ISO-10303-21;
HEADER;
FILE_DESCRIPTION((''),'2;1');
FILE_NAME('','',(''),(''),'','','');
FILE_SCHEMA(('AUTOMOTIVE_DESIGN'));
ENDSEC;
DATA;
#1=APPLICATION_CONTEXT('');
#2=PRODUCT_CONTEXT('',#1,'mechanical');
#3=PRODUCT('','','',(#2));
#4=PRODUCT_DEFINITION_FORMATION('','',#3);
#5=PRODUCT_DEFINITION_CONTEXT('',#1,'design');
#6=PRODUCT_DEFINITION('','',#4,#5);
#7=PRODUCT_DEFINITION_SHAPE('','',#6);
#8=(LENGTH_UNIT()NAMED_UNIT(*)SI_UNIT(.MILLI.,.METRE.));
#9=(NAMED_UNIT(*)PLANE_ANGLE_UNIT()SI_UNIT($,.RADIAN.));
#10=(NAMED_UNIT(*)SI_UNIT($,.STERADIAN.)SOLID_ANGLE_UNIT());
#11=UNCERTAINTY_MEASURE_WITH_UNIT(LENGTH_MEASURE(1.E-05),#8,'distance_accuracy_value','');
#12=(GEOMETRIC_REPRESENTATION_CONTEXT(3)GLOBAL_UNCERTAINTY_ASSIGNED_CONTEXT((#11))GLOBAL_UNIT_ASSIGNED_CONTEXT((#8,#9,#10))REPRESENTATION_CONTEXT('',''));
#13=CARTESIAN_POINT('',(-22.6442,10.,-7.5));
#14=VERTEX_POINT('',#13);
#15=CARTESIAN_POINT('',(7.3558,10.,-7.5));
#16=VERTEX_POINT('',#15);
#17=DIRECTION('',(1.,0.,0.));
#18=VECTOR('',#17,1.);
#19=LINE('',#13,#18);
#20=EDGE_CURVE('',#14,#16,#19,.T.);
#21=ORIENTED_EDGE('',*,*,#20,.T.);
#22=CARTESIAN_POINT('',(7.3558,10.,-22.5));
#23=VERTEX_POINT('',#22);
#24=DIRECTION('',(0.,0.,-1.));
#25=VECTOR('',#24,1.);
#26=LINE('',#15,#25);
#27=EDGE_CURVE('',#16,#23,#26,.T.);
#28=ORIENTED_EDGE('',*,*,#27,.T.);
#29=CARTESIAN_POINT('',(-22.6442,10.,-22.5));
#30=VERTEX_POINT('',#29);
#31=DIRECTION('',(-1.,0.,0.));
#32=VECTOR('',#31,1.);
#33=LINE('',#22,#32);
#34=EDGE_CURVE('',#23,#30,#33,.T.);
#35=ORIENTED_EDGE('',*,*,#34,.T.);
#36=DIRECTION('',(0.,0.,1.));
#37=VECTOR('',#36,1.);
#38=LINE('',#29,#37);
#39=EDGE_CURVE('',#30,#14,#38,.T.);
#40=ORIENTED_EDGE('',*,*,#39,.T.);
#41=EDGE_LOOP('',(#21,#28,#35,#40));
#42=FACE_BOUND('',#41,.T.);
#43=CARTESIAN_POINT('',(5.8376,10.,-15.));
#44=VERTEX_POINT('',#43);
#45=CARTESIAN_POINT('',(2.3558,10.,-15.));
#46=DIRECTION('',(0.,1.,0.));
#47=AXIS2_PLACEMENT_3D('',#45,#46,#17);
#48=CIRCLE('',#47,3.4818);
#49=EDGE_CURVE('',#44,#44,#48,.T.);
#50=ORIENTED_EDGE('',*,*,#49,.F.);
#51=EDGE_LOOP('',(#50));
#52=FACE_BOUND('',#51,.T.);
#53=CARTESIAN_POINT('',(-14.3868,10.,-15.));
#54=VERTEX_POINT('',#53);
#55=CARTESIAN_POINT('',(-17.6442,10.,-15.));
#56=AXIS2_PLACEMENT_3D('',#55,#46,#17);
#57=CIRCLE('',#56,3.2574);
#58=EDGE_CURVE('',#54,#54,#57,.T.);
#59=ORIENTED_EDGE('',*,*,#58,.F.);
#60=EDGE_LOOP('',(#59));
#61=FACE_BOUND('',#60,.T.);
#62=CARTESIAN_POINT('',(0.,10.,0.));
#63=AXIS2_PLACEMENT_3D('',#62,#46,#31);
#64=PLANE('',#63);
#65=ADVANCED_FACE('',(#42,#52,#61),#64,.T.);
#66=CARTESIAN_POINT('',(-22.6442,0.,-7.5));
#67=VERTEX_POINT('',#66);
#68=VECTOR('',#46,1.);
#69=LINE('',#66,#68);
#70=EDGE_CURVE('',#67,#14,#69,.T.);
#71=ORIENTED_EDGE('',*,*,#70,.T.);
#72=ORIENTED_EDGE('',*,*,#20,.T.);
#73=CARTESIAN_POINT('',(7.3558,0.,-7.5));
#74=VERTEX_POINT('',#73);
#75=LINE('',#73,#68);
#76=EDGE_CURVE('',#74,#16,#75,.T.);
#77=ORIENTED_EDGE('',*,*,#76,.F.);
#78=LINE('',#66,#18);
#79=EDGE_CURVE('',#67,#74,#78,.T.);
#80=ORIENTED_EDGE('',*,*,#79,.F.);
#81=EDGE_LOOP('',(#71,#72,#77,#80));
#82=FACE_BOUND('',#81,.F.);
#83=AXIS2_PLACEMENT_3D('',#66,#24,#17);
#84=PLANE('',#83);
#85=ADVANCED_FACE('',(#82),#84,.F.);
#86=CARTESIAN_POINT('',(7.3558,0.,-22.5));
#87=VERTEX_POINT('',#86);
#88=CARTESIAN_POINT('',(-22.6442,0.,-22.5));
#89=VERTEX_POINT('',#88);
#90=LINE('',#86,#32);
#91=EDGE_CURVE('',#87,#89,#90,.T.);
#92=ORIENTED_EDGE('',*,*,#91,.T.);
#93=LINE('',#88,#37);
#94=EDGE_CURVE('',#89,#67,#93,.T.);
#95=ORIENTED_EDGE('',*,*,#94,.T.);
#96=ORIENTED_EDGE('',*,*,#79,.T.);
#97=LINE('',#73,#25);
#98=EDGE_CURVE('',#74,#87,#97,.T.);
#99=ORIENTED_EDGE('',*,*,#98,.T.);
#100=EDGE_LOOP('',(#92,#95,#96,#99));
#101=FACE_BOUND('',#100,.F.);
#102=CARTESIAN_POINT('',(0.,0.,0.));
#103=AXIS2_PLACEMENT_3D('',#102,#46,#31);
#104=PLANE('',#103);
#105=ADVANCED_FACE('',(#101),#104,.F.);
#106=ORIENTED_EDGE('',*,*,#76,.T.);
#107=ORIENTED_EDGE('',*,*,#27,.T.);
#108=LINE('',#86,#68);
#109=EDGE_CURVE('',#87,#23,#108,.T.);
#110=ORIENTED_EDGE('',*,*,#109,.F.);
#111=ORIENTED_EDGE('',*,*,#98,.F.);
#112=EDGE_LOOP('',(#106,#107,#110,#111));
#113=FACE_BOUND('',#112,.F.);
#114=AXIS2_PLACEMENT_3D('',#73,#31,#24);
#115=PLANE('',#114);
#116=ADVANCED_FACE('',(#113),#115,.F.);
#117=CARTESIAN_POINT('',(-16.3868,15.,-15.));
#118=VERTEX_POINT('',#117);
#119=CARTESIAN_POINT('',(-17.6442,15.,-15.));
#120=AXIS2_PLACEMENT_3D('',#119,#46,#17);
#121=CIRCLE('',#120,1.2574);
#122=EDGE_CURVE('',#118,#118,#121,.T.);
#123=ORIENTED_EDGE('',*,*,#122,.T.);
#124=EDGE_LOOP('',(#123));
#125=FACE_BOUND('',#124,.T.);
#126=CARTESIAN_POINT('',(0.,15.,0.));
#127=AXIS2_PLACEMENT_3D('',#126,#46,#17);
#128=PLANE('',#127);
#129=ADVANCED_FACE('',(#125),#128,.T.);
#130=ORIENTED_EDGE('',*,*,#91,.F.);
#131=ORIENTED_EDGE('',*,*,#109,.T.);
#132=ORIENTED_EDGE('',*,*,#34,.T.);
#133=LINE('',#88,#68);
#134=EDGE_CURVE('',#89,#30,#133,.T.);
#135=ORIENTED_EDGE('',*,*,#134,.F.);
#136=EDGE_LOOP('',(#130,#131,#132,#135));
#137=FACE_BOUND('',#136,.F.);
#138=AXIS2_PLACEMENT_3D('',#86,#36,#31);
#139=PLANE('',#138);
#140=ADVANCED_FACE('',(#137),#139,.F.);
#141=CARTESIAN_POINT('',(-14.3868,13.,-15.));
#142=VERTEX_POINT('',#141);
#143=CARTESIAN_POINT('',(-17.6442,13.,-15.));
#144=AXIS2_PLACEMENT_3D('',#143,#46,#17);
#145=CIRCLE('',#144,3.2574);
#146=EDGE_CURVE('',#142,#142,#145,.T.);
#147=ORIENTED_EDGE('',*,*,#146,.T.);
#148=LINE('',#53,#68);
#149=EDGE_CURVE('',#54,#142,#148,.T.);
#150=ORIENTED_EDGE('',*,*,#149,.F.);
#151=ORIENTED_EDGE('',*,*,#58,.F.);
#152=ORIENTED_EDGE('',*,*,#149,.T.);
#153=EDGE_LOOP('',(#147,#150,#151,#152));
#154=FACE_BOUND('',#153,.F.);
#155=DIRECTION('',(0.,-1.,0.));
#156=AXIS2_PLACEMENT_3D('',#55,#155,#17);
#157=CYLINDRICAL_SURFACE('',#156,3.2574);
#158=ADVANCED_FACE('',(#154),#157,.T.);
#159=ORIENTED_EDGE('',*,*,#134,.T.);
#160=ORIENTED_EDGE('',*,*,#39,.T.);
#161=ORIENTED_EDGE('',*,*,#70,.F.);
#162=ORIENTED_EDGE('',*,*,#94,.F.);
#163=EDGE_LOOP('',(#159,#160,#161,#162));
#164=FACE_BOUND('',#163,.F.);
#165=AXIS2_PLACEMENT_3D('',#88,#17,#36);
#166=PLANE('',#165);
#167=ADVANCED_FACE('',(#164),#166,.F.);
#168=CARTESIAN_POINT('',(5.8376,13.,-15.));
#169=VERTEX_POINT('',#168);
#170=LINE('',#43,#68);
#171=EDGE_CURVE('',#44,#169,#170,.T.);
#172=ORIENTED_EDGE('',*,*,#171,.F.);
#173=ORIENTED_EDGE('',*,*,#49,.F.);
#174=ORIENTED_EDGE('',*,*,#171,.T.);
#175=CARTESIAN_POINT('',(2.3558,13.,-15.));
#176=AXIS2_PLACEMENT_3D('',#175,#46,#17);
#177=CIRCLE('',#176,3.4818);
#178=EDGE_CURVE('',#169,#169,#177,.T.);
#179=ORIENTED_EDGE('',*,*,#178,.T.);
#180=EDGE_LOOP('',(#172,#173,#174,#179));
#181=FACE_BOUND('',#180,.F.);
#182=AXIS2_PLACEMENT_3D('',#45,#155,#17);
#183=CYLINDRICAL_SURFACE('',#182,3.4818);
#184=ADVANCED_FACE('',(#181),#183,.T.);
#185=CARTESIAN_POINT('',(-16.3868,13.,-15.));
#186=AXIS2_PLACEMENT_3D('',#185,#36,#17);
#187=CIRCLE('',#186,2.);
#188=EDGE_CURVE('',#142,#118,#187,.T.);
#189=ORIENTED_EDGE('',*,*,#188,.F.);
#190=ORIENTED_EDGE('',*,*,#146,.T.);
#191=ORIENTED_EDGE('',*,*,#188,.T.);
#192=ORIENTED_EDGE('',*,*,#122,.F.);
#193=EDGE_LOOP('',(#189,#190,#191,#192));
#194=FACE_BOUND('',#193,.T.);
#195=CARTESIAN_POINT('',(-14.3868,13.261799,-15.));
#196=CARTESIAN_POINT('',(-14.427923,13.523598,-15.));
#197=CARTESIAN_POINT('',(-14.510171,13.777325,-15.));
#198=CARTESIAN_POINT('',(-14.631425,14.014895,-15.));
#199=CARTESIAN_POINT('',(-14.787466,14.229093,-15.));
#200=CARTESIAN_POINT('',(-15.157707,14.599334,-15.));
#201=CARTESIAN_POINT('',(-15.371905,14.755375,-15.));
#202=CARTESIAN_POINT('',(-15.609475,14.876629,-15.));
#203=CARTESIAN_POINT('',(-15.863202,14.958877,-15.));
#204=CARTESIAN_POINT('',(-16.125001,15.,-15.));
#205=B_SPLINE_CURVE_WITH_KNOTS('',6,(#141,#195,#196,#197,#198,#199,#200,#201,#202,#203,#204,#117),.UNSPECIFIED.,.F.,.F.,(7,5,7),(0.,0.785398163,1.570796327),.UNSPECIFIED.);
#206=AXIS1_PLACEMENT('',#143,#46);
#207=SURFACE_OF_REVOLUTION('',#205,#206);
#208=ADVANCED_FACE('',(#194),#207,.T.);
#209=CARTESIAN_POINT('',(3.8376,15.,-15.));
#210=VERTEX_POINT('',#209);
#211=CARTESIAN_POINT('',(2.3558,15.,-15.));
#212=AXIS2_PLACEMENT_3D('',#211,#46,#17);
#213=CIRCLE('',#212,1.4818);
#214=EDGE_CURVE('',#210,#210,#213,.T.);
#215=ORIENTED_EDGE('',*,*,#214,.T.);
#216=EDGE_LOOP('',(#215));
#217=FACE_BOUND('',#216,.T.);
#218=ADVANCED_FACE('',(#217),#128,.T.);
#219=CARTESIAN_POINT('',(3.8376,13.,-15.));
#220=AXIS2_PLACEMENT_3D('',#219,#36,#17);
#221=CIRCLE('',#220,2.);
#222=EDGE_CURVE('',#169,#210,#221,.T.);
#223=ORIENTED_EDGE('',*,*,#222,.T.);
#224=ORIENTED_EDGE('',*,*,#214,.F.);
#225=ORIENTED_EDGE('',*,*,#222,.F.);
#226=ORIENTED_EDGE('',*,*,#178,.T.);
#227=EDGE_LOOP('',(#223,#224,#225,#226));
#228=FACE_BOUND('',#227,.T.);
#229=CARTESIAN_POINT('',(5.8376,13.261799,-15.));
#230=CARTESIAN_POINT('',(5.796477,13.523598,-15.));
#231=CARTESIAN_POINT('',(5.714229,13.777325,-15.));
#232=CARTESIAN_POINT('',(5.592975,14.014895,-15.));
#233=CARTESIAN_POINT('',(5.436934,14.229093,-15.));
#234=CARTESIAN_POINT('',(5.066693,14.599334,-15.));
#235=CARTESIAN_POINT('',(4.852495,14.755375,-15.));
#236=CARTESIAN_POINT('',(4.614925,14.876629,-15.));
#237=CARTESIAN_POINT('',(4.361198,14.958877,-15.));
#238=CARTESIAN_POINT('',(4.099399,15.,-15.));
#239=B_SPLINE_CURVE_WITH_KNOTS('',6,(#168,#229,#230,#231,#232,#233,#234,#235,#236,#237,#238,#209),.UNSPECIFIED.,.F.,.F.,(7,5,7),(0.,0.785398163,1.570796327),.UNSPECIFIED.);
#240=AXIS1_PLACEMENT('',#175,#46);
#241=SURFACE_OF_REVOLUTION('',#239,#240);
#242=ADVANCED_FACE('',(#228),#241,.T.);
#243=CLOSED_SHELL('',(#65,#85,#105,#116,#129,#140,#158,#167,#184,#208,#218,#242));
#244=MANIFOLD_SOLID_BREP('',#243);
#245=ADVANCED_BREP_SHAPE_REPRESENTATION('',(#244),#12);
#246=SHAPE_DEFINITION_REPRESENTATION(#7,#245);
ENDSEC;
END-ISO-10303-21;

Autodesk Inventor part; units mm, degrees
ref_plane "YZ Plane" through (0, 0, 0) normal (1, 0, 0) x (0, 1, 0)
ref_plane "XZ Plane" through (0, 0, 0) normal (0, 1, 0) x (-1, 0, 0)
ref_plane "XY Plane" through (0, 0, 0) normal (0, 0, 1) x (1, 0, 0)
sketch "Skizze1" plane through (0, 0, 0) normal (0, 1, 0) x (-1, 0, 0)
  line L0 (22.6442, -7.5) -> (-7.3558, -7.5)
  line L1 (-7.3558, -7.5) -> (-7.3558, -22.5)
  line L2 (-7.3558, -22.5) -> (22.6442, -22.5)
  line L3 (22.6442, -22.5) -> (22.6442, -7.5)
  point P0 (0, 0)
  dimension "d0" = 15
  dimension "d1" = 30
extrude "Extrusion1" add sketch "Skizze1" along normal blind 10
sketch "Skizze2" plane through (0, 10, 0) normal (0, 1, 0) x (1, 0, 0)
  circle A0 centre (-17.6442, 15) radius 3.2574
  circle A1 centre (2.3558, 15) radius 3.4818
  line L0 (-22.6442, 22.5) -> (-22.6442, 7.5) projected
  line L1 (7.3558, 7.5) -> (7.3558, 22.5) projected
  line L2 (7.3558, 22.5) -> (-22.6442, 22.5) projected
  point P0 (0, 0)
  dimension "d4" = 5
  dimension "d5" = 5
  dimension "d6" = 7.5
  dimension "d7" = 7.5
extrude "Extrusion2" add sketch "Skizze2" along normal blind 5
fillet "Rundung1" radius 2 2 edges at (-20.9017, 15, -15) (-1.1261, 15, -15)
properties part number "IR-Sensor"
